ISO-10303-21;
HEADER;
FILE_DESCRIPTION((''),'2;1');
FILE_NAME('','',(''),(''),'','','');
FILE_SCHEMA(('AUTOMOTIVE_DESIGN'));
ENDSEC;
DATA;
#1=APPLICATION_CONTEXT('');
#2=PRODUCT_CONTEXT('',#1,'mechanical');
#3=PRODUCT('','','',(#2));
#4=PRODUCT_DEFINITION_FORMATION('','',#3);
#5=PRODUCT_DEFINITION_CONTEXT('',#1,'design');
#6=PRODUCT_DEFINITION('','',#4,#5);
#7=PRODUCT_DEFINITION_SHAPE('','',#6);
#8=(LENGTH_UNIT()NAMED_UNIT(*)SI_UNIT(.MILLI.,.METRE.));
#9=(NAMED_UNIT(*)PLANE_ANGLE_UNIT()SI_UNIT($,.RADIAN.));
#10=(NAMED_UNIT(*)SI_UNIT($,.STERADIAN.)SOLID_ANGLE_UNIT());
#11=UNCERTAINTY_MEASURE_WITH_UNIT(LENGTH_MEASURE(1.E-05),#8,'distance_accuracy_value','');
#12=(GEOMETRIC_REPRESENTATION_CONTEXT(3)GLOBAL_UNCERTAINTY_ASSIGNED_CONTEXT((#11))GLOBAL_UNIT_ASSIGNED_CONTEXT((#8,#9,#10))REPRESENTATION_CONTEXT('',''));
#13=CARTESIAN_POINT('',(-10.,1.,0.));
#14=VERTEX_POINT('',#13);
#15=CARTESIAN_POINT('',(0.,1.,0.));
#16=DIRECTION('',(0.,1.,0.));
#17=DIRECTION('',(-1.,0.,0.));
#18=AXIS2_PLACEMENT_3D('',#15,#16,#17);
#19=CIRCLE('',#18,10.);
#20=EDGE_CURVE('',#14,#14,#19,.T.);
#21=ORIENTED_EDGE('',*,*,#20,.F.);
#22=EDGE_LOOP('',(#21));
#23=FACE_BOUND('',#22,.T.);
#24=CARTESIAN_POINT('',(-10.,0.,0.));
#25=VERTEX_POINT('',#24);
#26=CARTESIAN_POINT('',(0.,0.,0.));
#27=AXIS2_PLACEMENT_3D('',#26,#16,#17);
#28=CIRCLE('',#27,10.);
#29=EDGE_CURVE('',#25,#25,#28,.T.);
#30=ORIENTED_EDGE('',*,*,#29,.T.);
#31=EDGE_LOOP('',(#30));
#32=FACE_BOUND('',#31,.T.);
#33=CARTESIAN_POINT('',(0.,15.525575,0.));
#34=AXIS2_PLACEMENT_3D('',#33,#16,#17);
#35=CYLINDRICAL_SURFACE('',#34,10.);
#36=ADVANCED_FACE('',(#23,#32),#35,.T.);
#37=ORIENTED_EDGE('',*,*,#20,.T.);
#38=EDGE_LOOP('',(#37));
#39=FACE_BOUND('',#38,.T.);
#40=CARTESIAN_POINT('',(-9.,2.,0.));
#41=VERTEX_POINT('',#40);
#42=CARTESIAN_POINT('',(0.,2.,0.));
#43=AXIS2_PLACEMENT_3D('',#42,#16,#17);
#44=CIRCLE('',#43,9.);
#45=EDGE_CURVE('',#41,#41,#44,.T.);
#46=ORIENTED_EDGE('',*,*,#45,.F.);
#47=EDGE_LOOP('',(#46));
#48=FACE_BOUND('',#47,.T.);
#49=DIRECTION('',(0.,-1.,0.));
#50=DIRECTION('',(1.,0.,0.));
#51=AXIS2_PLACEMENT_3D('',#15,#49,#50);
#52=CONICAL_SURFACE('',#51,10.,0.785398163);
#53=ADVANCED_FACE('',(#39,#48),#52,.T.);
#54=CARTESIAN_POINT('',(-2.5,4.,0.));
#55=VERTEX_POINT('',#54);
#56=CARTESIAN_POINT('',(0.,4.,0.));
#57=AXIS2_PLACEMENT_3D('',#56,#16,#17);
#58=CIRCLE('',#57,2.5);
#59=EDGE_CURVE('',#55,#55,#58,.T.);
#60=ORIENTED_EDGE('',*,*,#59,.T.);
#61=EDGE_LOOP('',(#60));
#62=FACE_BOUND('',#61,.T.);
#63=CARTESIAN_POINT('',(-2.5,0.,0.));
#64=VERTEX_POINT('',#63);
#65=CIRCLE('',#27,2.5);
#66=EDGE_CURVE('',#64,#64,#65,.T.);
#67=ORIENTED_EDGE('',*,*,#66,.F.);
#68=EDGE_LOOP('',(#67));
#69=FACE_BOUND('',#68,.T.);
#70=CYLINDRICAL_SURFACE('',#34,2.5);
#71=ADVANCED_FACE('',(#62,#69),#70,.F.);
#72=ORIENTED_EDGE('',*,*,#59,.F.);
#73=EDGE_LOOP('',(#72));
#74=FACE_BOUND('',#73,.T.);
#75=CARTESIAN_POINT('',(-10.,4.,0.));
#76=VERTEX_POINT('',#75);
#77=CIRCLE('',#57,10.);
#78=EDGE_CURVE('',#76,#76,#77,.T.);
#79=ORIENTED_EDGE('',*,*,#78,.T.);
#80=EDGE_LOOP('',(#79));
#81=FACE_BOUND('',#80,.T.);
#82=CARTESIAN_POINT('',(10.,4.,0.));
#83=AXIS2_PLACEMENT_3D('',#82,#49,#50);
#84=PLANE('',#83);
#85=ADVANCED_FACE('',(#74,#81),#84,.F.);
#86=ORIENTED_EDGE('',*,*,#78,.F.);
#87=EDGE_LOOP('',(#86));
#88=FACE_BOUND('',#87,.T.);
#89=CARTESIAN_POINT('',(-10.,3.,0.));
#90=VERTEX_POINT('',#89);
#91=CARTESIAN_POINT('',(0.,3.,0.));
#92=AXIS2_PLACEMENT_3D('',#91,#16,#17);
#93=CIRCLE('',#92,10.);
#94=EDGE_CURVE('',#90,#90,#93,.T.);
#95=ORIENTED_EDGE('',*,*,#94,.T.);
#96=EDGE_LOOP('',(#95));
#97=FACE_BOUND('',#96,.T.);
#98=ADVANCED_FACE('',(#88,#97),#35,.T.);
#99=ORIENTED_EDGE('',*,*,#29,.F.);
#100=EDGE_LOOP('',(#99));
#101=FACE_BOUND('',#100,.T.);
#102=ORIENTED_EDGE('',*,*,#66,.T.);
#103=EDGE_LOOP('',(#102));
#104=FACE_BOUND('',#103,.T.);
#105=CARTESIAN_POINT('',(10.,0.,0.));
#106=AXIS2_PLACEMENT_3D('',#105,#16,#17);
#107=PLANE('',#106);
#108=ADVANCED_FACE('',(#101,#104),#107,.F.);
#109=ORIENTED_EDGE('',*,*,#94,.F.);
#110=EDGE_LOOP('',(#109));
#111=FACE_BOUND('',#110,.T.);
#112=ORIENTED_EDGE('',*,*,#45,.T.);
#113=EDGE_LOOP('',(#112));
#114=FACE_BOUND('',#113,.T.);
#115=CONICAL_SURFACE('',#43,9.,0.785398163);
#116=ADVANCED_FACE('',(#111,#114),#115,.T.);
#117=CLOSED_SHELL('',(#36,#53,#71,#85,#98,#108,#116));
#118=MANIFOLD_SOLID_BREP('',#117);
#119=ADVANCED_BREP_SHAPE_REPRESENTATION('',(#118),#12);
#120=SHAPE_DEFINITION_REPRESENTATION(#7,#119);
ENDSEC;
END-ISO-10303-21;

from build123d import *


with BuildPart() as part:
    # Esboço2 → Revolução1 (revolve)
    with BuildSketch(Plane.XY, mode=Mode.PRIVATE) as revolu_o1_sk:
        Polygon((10, 0), (2.5, 0), (2.5, 4), (10, 4), (10, 3), (9, 2), (10, 1), align=None)
    revolve(revolu_o1_sk.sketch.rotate(Axis((0, 15.525574547, 0), (0, -1, 0)), 180), axis=Axis((0, 15.525574547, 0), (0, -1, 0)))


solid = part.part
